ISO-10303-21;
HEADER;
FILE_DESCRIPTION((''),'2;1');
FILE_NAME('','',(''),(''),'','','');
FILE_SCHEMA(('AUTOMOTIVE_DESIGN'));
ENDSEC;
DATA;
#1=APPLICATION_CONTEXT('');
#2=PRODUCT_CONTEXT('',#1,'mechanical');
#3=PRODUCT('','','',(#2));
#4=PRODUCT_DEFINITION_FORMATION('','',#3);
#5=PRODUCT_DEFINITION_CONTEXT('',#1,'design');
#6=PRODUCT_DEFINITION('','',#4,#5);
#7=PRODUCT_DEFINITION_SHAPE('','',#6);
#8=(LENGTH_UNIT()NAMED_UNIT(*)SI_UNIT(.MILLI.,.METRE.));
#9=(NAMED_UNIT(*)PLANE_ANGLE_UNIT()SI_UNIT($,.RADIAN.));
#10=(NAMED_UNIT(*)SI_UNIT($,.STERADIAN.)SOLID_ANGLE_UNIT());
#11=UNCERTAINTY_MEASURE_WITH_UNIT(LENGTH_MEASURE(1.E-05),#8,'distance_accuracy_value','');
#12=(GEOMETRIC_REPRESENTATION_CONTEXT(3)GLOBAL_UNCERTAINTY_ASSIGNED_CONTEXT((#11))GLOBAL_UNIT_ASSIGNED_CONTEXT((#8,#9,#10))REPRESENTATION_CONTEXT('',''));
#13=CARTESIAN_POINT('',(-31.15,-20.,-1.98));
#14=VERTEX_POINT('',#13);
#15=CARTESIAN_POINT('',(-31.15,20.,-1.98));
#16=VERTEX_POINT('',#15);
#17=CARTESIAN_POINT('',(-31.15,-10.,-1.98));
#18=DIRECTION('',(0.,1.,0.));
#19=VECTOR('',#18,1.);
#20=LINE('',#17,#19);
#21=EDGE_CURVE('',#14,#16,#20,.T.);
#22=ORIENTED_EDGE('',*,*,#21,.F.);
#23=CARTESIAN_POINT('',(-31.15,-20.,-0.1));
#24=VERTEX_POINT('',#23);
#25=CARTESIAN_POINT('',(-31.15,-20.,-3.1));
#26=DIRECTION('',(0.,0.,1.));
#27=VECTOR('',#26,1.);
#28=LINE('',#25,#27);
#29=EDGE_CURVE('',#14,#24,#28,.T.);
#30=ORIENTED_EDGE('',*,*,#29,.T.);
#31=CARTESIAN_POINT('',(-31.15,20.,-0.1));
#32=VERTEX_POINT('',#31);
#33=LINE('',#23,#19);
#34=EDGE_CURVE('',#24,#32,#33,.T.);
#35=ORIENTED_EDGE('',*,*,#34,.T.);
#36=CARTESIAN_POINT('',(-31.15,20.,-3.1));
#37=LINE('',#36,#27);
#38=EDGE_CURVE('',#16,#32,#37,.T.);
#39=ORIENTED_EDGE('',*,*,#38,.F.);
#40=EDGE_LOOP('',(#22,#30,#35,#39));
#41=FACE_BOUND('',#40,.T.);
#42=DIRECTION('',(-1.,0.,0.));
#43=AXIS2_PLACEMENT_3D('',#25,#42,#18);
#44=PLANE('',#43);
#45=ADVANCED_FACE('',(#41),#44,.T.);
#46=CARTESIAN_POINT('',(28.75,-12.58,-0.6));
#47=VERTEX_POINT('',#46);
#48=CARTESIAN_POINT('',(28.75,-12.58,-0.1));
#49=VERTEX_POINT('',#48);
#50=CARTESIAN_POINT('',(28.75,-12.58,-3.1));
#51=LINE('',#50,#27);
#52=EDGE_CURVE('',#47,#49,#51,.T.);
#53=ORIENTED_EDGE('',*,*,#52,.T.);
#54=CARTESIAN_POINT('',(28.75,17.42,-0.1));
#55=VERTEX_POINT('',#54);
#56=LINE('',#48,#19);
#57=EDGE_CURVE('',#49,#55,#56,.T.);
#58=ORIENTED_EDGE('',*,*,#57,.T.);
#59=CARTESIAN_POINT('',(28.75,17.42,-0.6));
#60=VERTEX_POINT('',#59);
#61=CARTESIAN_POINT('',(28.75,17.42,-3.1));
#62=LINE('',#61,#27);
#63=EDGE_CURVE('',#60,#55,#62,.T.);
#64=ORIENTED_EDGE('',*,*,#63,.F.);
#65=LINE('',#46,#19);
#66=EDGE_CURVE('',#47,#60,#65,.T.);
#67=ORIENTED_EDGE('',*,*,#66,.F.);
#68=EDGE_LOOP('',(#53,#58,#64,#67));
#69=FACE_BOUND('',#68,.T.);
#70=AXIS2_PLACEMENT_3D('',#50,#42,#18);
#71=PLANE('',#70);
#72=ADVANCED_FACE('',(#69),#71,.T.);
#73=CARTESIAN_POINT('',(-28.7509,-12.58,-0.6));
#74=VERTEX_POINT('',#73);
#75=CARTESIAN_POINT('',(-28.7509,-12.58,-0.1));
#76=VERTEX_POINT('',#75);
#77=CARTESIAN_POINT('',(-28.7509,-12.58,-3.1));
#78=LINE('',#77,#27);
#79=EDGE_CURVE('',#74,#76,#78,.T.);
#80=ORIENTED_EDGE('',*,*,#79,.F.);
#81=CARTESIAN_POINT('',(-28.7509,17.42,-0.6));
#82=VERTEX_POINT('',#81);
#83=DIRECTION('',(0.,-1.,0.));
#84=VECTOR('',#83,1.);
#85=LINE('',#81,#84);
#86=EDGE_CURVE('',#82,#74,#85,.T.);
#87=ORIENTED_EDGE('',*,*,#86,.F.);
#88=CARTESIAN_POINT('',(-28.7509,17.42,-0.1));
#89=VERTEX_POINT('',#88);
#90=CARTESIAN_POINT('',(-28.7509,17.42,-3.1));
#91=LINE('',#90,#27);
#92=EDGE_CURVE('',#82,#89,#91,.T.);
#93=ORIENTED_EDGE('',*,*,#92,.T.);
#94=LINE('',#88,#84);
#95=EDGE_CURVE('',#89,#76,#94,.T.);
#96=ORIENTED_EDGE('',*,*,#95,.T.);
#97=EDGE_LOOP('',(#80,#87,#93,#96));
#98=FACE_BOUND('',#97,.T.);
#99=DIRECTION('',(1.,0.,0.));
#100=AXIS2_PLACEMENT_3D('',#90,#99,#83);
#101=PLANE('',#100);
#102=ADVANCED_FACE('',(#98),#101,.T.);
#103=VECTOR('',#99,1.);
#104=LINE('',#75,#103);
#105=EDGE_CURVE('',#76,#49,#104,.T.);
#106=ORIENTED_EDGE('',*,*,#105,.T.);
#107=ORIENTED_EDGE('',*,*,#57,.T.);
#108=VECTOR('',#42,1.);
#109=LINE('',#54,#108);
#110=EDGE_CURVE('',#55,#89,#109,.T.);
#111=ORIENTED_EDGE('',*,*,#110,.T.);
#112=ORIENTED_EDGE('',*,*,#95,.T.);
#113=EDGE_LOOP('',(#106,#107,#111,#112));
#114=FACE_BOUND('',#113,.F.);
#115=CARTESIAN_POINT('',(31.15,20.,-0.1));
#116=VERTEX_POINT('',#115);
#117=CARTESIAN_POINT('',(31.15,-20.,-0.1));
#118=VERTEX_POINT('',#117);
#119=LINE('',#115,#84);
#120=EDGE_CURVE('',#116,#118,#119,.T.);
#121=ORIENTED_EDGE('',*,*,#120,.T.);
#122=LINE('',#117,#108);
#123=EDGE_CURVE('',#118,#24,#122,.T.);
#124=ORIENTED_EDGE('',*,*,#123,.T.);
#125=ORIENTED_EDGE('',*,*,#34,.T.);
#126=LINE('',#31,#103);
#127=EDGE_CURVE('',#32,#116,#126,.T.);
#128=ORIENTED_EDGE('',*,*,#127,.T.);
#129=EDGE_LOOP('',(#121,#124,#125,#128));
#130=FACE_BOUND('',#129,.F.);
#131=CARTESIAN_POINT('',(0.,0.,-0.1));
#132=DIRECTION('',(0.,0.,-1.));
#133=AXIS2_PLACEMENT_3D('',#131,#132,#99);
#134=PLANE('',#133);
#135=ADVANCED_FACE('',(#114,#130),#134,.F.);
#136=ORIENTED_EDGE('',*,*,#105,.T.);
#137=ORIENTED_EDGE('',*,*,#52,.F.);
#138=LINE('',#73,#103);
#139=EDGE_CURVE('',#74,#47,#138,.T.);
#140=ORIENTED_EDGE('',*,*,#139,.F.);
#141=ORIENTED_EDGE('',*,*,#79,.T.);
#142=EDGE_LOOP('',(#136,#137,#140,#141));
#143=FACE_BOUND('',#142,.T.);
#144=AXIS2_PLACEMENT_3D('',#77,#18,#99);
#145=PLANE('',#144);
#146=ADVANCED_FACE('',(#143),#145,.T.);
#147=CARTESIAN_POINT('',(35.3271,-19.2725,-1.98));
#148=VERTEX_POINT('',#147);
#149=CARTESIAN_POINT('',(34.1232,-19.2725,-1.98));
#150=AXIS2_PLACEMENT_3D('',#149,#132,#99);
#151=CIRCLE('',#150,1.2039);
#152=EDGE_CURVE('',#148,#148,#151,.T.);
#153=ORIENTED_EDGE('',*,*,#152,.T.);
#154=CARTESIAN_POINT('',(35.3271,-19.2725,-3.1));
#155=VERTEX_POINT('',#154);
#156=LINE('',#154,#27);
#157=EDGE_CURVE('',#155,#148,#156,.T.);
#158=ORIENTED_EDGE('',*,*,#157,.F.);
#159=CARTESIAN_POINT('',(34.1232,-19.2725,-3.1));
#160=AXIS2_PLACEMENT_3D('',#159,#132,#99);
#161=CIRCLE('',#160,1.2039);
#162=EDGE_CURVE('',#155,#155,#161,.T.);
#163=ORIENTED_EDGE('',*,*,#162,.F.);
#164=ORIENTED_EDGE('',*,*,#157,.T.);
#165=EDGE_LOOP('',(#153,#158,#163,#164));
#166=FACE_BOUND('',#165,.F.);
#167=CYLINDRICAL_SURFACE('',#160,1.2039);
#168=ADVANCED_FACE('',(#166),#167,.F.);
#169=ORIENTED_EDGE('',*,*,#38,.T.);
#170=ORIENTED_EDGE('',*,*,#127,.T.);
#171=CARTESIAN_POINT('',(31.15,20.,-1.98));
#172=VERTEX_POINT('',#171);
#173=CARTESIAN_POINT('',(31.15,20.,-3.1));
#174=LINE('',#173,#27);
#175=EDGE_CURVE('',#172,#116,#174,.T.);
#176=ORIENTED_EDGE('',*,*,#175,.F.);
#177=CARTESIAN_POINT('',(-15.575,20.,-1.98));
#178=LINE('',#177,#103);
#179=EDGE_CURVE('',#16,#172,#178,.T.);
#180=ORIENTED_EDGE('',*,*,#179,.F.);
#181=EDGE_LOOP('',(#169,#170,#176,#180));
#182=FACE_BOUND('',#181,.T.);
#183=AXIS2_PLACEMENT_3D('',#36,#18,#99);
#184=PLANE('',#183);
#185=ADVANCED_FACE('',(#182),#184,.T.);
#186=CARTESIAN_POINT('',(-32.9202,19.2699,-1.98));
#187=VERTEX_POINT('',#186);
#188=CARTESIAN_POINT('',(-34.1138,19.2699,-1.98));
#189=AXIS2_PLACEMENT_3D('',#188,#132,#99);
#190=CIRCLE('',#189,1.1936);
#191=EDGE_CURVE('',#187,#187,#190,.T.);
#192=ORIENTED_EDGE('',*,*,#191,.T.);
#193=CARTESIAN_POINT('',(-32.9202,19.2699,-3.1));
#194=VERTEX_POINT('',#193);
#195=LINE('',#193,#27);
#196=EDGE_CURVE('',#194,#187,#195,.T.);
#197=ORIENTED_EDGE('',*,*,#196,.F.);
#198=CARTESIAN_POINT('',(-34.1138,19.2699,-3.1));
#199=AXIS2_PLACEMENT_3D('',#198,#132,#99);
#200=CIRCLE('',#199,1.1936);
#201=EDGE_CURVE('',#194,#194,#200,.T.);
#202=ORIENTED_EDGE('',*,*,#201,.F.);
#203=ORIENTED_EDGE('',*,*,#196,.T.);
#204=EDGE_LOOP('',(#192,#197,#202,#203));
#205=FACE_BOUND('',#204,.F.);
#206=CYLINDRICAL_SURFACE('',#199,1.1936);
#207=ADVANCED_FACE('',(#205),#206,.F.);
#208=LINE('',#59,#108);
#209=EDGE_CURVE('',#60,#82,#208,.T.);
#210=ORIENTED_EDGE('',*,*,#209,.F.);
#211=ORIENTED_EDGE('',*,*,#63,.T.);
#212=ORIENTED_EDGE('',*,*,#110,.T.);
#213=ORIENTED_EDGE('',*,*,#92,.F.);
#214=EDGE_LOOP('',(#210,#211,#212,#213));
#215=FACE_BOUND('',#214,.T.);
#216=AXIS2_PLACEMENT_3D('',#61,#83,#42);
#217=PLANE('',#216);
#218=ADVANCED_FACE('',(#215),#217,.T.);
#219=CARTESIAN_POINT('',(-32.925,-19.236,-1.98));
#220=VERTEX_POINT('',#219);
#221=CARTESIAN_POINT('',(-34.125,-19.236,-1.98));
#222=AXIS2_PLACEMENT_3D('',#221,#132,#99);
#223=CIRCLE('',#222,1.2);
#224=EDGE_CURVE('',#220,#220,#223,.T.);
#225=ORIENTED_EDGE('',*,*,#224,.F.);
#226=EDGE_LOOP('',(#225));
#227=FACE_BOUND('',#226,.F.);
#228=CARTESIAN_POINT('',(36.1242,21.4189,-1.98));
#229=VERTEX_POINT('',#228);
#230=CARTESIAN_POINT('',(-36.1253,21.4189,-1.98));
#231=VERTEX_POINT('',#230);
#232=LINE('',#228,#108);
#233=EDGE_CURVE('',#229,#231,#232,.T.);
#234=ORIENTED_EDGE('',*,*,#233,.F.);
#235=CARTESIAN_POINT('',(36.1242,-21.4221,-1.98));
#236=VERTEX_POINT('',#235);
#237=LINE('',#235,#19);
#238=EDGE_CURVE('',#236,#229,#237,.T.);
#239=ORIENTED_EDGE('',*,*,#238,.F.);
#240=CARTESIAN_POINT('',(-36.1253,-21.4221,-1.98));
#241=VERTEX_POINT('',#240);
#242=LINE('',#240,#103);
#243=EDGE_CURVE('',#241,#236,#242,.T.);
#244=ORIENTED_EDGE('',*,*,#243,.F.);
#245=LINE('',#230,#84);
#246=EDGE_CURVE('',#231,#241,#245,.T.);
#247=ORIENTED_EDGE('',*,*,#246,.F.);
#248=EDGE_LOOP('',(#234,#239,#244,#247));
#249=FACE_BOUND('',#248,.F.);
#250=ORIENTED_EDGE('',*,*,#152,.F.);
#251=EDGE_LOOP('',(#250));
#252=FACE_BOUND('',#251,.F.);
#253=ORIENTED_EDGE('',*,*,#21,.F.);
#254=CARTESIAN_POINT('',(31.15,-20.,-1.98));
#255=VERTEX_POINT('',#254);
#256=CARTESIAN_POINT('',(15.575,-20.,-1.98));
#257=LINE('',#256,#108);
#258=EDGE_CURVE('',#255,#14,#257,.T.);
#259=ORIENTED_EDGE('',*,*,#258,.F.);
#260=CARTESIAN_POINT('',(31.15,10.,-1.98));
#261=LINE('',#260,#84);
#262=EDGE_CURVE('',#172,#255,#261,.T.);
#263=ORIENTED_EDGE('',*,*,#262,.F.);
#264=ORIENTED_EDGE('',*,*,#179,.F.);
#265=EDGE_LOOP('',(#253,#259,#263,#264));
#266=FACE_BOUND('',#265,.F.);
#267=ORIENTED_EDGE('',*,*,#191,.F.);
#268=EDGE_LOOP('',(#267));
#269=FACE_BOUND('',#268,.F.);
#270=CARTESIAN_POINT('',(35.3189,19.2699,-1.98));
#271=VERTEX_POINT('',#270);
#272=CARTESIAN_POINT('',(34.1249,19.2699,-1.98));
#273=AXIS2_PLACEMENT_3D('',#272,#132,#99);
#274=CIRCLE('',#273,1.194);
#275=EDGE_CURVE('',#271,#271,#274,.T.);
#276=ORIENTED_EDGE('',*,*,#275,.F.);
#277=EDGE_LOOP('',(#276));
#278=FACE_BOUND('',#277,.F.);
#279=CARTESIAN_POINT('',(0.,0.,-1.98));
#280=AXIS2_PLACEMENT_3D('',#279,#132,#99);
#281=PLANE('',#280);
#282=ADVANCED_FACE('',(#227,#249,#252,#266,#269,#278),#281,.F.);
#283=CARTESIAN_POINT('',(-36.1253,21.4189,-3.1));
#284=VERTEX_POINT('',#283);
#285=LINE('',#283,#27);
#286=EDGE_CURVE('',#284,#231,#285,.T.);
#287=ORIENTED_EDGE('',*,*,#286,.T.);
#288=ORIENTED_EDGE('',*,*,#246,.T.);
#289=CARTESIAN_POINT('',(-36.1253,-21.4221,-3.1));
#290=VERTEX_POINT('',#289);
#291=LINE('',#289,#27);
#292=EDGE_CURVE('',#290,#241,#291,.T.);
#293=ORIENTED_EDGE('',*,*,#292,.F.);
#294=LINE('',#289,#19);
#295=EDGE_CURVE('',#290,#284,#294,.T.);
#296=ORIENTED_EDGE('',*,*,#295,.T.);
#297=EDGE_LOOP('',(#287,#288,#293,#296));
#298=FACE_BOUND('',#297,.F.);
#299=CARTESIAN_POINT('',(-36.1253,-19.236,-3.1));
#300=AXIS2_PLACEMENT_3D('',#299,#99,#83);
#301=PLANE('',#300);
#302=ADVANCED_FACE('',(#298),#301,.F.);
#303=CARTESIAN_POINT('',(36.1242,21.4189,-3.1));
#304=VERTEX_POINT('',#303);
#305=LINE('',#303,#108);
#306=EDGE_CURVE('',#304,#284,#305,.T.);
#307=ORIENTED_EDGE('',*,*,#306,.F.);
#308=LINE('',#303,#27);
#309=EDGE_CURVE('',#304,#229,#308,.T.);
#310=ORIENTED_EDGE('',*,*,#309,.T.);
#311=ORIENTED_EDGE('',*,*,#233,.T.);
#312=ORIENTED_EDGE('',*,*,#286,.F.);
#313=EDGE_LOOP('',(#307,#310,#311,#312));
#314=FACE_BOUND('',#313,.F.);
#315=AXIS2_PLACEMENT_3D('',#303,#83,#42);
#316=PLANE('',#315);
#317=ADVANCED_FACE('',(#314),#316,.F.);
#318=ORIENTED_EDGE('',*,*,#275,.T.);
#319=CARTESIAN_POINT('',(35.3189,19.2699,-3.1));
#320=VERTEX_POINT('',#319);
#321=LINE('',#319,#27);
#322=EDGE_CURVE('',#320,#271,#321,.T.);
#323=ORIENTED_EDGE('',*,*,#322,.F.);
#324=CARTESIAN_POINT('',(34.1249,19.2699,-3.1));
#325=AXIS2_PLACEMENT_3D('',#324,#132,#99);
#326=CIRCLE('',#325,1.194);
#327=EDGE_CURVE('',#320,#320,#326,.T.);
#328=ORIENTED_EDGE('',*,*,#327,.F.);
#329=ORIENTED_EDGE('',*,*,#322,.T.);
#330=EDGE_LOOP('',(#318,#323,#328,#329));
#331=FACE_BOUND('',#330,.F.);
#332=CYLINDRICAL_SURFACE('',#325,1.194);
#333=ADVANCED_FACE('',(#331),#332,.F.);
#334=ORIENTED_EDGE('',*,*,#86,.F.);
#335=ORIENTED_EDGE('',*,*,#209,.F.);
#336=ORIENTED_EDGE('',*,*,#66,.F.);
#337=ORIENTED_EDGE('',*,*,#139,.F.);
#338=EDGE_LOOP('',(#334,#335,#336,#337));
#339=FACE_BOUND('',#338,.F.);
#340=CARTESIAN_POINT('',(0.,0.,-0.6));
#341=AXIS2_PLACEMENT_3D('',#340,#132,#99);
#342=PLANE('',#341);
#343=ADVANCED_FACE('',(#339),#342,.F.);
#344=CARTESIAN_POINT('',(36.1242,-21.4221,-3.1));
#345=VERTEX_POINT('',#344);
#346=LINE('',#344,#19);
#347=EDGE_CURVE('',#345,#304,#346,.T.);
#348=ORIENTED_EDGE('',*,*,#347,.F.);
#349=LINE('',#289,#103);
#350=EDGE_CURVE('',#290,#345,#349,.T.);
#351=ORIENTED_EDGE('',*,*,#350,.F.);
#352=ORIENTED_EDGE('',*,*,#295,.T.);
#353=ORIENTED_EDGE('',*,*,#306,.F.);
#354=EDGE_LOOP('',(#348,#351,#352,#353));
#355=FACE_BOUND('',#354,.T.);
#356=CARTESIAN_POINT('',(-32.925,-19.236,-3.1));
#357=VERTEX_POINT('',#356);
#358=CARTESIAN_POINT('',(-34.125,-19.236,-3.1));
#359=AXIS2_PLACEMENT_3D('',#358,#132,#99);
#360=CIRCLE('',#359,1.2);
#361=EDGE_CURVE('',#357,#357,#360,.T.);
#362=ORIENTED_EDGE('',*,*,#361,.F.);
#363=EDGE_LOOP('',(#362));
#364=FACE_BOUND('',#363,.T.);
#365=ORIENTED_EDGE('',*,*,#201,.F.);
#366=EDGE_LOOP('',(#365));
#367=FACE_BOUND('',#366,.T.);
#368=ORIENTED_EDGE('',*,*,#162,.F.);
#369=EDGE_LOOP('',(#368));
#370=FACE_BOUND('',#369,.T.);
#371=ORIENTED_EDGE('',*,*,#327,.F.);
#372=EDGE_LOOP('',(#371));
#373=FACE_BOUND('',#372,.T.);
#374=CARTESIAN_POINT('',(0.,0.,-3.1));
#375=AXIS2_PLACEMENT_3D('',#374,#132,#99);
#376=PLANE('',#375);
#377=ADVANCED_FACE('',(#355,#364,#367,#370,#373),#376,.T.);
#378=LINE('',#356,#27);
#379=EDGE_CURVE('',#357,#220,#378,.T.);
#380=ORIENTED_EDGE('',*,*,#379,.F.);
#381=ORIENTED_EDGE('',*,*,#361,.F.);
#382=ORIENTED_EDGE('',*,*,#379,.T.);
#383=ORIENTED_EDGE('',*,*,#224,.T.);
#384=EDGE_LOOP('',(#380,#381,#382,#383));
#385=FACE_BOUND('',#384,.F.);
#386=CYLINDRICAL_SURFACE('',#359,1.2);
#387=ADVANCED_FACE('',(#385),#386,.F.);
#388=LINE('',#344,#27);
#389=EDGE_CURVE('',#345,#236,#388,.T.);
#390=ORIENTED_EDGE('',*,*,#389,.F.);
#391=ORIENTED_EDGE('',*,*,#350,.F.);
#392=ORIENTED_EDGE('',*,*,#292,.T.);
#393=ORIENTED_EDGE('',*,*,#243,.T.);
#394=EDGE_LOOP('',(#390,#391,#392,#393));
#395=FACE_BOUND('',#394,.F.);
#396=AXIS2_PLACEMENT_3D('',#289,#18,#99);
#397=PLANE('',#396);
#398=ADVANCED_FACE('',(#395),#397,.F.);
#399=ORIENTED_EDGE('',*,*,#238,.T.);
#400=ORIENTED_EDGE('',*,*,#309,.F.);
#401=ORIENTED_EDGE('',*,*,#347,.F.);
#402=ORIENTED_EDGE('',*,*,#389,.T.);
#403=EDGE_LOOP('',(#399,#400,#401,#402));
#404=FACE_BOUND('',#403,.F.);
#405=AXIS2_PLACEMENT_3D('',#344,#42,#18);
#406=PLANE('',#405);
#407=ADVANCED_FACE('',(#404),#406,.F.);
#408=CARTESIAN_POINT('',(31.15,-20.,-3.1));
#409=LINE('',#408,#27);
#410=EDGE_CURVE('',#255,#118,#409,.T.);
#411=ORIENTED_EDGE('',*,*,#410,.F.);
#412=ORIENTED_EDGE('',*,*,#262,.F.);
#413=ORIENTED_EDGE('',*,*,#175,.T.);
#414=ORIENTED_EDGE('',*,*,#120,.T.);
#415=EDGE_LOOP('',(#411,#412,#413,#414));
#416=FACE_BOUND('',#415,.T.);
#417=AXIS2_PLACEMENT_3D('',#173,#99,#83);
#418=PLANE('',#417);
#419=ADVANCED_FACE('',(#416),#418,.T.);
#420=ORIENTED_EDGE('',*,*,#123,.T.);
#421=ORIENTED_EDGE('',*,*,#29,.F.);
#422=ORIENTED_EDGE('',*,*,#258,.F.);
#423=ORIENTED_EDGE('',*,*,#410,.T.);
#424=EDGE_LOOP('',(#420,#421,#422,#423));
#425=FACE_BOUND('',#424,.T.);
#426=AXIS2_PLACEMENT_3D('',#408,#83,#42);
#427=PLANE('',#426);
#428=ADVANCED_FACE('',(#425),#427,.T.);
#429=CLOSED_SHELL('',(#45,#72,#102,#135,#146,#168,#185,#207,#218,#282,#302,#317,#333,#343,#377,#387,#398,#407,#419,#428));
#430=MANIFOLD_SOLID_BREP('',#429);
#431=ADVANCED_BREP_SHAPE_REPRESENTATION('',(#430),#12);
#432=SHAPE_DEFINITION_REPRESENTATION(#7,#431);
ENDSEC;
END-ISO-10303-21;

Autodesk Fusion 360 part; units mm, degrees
sketch "Sketch1" plane through (0, 0, 0) normal (0, 0, 1) x (1, 0, 0)
  line L0 (36.125, -21.42) -> (-36.125, -21.42)
  line L1 (-36.125, -21.42) -> (-36.125, 21.42)
  line L2 (-36.125, 21.42) -> (36.125, 21.42)
  line L3 (36.125, 21.42) -> (36.125, -21.42)
  line L4 (36.125, -21.42) -> (-36.125, 21.42) construction
  line L5 (-36.125, -21.42) -> (36.125, 21.42) construction
  line L6 (31.15, -20) -> (-31.15, -20)
  line L7 (-31.15, -20) -> (-31.15, 20)
  line L8 (-31.15, 20) -> (31.15, 20)
  line L9 (31.15, 20) -> (31.15, -20)
  line L10 (31.15, -20) -> (-31.15, 20) construction
  line L11 (-31.15, -20) -> (31.15, 20) construction
  line L12 (28.75, -15) -> (-28.75, 15) construction
  line L13 (-28.75, -15) -> (28.75, 15) construction
  line L14 (36.125, -18.0538) -> (34.125, -18.0538) construction
  line L15 (34.125, -21.42) -> (34.125, 22) construction
  line L16 (-36.125, 20.5191) -> (-34.125, 20.5191) construction
  line L17 (-34.125, 20.5191) -> (-34.125, -21.42) construction
  circle A0 centre (-34.125, -19.236) radius 1.2
  line L18 (-34.125, -21.42) -> (-34.125, -20.67)
  line L19 (-34.1139, 21.42) -> (-34.1139, 19.27) construction
  circle A1 centre (-34.1139, 19.27) radius 1.2
  line L20 (34.125, 21.42) -> (34.125, 19.27) construction
  circle A2 centre (34.125, 19.27) radius 1.2
  line L21 (34.125, -21.42) -> (34.125, -19.27) construction
  circle A3 centre (34.125, -19.27) radius 1.2
  line L22 (0, 21.42) -> (0, 17.42) construction
  line L23 (0, 17.42) -> (28.75, 17.42) construction
  line L24 (28.75, 17.42) -> (-28.75, 17.42)
  line L25 (-28.75, 17.42) -> (-28.75, -12.58)
  line L26 (-28.75, -12.58) -> (28.75, -12.58)
  line L27 (28.75, -12.58) -> (28.75, 17.42)
  circle A4 centre (34.125, 19.27) radius 2
  circle A5 centre (-34.1139, 19.27) radius 2
  circle A6 centre (-34.125, -19.236) radius 2
  circle A7 centre (34.125, -19.27) radius 2
  line L28 (38.125, 23.42) -> (-38.125, 23.42)
  line L29 (-38.125, 23.42) -> (-38.125, -23.42)
  line L30 (-38.125, -23.42) -> (38.125, -23.42)
  line L31 (38.125, -23.42) -> (38.125, 23.42)
  line L32 (38.125, 23.42) -> (-38.125, -23.42) construction
  line L33 (-38.125, 23.42) -> (38.125, -23.42) construction
  line L34 (37.25, 22.25) -> (-37.25, 22.25)
  line L35 (-37.25, 22.25) -> (-37.25, -22.25)
  line L36 (-37.25, -22.25) -> (37.25, -22.25)
  line L37 (37.25, -22.25) -> (37.25, 22.25)
  line L38 (37.25, 22.25) -> (-37.25, -22.25) construction
  line L39 (-37.25, 22.25) -> (37.25, -22.25) construction
  dimension "d1" = 72.25
  dimension "d2" = 42.84
  dimension "d3" = 62.3
  dimension "d4" = 40
  dimension "d5" = 57.5
  dimension "d6" = 30
  dimension "d7" = 2
  dimension "d8" = 2
  dimension "d9" = 2.4
  dimension "d11" = 0.75
  dimension "d12" = 2.15
  dimension "d13" = 2.4
  dimension "d14" = 2.4
  dimension "d15" = 2.15
  dimension "d16" = 2.4
  dimension "d17" = 2.15
  dimension "d18" = 2.4
  dimension "d19" = 4
  dimension "d20" = 28.75
  dimension "d21" = 57.5
  dimension "d22" = 30
  dimension "d24" = 30
  dimension "d27" = 30
  dimension "d28" = 4
  dimension "d29" = 4
  dimension "d30" = 4
  dimension "d31" = 4
  dimension "d37" = 76.25
  dimension "d38" = 46.84
  dimension "d39" = 74.5
  dimension "d40" = 44.5
extrude "Extrude1" add sketch "Sketch1" against normal blind 3.1 contours A7 | A4 | A6 | A5 makes body 1 at (36.1225, 19.1703, -2.0667) makes body 2 at (36.1225, -19.3697, -2.0667) makes body 3 at (-32.1164, 19.1703, -2.0667) makes body 4 at (-32.1349, -19.0369, -1.0333)
extrude "Extrude2" add sketch "Sketch1" along normal blind 1 contours A7 | A4 | L0 L1 L2 L3 L18 A6 | L0 L1 L18 A6 | A6 | L6 L7 L8 L9 | A0 | A1 | A2 | A3 | A5 | L28 L29 L30 L31 | L34 L35 L36 L37 bodies 1 2 3 4
extrude "Extrude3" add sketch "Sketch1" against normal blind 3 contours L34 L35 L36 L37 bodies 1
fillet "Fillet1" radius 1 4 edges at (-38.125, 0, 1) (0, -23.42, 1) (38.125, 0, 1) (0, 23.42, 1) on bodies 1
chamfer "Chamfer1" distance 3 distance2 0.9 4 edges at (28.75, 2.42, 1) (0, 17.42, 1) (-28.75, 2.42, 1) (0, -12.58, 1) measured on face at (9.5833, -19.1401, 1) measured on face at (9.5833, -19.1401, 1) measured on face at (9.5833, -19.1401, 1) measured on face at (9.5833, -19.1401, 1) on bodies 1
sketch "Sketch2" plane through (0, 0, -3.1) normal (0, 0, -1) x (1, 0, 0)
  circle A0 centre (-34.125, 19.236) radius 1.2
  circle A1 centre (-34.125, 19.236) radius 2
  line L0 (-36.1253, 21.4221) -> (36.1242, 21.4221)
  line L1 (36.1242, 21.4221) -> (36.1242, -21.4189)
  line L2 (36.1242, -21.4189) -> (-36.1253, -21.4189)
  line L3 (-36.1253, -21.4189) -> (-36.1253, 21.4221)
  line L4 (-31.15, -20) -> (31.15, -20)
  line L5 (31.15, -20) -> (31.15, 20)
  line L6 (31.15, 20) -> (-31.15, 20)
  line L7 (-31.15, 20) -> (-31.15, -20)
  circle A2 centre (34.1232, 19.2725) radius 1.2039
  circle A3 centre (-34.125, 19.236) radius 1.2
  circle A4 centre (-34.1138, -19.2699) radius 1.1936
  circle A5 centre (34.1249, -19.2699) radius 1.194
  line L8 (-28.7509, 12.58) -> (28.75, 12.58)
  line L9 (28.75, 12.58) -> (28.75, -17.42)
  line L10 (28.75, -17.42) -> (-28.7509, -17.42)
  line L11 (-28.7509, -17.42) -> (-28.7509, 12.58)
extrude "Extrude1'" add sketch "Sketch2" against normal blind 1.12 separate body contours L0 L1 L2 L3 | L4 L5 L6 L7 | L8 L9 L10 L11 makes body 5 in component "Component"
extrude "Extrude2'" add sketch "Sketch2" against normal blind 3 contours L4 L5 L6 L7 bodies 5 in component "Component"
extrude "Extrude3'" add sketch "Sketch2" against normal blind 2.5 contours L8 L9 L10 L11 bodies 5 in component "Component"
extrude "Extrude4" add sketch "Sketch2" against normal blind 1.12 contours A1 bodies 5 in component "Component"
component "Component" placed x (1, 0, 0) y (0, 1, 0) z (0, 0, 1) at (0, 0, 0)
hidden bodies 1
equation "d20 = ( 57.5 / 2 ) * 1 mm"
